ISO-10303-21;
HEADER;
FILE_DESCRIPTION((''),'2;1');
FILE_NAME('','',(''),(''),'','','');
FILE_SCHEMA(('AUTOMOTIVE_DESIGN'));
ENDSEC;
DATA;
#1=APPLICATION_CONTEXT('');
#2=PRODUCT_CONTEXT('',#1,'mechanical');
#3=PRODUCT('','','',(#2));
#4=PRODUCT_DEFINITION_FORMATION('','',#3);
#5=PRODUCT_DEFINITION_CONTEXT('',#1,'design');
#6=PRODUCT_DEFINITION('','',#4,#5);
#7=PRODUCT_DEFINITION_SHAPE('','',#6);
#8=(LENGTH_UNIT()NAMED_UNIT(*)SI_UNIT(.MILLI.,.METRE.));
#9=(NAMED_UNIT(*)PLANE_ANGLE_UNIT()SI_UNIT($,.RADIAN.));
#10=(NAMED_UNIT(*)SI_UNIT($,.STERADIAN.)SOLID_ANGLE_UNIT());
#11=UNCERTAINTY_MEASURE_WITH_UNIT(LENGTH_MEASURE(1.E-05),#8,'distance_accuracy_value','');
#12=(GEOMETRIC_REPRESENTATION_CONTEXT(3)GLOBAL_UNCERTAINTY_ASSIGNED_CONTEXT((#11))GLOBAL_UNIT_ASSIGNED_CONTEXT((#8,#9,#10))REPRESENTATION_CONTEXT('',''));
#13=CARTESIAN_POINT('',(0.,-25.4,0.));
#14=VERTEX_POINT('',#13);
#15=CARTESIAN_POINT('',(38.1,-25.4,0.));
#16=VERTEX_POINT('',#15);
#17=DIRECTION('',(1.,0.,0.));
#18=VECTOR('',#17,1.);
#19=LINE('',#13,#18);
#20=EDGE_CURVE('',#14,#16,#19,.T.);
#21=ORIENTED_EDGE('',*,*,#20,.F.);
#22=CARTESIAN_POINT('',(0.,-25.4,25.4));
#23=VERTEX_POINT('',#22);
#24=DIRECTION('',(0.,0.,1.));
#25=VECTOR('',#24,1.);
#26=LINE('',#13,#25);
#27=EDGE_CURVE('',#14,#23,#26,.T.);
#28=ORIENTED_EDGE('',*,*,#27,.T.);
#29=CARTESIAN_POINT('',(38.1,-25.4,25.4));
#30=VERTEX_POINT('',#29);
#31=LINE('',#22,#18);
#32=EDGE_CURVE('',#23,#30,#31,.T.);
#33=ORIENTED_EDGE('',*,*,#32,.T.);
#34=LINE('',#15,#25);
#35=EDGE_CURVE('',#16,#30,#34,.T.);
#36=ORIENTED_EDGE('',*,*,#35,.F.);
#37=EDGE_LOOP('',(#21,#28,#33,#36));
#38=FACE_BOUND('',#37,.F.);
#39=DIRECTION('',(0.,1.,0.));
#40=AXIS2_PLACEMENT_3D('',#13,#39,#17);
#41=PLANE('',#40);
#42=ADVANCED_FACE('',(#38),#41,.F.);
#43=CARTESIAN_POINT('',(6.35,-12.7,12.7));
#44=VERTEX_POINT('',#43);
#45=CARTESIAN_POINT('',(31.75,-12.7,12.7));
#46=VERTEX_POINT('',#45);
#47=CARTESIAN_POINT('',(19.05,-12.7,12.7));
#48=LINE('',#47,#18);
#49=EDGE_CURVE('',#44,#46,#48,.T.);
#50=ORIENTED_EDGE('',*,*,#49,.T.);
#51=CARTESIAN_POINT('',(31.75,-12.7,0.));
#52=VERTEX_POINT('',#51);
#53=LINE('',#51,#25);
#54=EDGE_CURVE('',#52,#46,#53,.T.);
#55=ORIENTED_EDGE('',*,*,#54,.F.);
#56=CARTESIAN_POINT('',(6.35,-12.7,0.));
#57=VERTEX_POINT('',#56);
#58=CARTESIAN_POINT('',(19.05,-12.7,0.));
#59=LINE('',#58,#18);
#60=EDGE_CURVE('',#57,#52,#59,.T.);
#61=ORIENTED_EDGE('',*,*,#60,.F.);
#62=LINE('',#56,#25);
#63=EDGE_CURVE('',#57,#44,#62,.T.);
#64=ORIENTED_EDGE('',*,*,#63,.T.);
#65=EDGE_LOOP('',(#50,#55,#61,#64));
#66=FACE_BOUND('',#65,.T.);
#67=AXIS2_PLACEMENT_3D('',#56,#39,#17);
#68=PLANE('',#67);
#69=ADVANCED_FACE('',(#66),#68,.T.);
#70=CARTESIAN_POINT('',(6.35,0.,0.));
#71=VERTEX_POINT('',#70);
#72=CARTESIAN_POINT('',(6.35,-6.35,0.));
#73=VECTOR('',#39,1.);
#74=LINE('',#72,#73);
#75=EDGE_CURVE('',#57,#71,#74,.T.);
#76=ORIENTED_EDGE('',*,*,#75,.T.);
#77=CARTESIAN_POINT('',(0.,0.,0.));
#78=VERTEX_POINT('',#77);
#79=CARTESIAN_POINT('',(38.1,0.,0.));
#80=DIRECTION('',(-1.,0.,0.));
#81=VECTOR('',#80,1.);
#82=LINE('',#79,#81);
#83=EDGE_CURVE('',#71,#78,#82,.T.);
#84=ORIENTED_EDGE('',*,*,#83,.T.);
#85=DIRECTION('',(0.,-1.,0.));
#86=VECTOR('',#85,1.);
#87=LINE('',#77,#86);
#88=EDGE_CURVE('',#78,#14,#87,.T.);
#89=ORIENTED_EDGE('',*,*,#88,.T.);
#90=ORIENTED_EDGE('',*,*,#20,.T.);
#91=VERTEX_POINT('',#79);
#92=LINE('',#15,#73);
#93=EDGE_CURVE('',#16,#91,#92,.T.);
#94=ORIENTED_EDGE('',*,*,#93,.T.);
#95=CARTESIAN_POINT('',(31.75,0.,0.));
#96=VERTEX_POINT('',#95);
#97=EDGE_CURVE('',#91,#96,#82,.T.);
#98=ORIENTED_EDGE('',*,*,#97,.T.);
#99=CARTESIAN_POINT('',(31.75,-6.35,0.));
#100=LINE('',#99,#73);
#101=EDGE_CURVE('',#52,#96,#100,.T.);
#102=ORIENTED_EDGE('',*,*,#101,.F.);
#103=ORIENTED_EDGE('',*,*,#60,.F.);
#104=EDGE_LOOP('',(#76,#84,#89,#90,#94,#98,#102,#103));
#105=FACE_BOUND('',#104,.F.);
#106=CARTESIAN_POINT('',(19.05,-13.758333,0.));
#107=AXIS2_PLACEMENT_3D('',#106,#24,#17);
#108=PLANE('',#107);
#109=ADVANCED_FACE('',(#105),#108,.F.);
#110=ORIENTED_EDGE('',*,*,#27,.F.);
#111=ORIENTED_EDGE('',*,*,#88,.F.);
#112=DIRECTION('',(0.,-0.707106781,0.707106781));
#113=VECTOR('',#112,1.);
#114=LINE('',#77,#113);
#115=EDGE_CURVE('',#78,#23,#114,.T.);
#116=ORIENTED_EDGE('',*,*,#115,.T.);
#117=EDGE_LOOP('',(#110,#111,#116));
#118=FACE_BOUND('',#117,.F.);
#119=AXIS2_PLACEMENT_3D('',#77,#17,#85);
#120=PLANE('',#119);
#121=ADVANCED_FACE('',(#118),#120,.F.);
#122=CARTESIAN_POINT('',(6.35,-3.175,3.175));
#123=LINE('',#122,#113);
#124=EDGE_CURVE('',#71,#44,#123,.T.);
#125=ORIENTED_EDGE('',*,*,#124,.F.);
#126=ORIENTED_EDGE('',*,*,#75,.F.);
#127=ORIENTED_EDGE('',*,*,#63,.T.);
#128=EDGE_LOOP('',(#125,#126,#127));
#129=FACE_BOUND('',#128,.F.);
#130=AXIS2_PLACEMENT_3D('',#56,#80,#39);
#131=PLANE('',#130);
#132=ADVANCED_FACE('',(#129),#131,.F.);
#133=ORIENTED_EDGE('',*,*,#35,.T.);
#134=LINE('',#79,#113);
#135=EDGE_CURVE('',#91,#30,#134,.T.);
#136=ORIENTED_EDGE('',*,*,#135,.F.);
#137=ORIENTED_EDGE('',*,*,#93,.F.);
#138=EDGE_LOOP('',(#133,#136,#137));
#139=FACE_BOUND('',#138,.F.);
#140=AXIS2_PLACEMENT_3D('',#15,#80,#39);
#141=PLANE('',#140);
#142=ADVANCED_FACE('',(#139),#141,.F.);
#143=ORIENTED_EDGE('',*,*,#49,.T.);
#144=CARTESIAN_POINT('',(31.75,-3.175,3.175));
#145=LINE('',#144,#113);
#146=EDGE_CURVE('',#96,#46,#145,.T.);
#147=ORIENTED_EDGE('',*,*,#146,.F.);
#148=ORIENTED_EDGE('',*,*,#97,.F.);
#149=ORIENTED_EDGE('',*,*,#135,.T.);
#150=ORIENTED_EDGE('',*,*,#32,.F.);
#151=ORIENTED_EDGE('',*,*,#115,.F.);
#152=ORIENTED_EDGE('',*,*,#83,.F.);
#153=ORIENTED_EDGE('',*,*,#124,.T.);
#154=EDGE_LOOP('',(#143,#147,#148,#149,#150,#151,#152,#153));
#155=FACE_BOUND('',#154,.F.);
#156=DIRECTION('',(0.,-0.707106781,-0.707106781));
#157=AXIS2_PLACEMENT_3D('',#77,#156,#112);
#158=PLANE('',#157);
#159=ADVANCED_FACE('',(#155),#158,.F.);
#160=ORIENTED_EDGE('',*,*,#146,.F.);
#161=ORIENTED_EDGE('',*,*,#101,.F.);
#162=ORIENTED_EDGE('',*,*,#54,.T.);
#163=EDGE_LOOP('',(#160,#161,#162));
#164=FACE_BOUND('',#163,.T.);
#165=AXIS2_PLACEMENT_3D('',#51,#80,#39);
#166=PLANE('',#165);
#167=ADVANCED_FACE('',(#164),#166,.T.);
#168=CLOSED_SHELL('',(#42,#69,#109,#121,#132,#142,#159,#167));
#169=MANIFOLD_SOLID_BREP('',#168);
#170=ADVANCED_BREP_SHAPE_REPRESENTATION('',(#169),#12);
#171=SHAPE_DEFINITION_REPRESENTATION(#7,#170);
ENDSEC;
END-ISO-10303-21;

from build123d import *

# Parameters (mm, degrees)
F0_W     = 25.4
F0_H     = 12.7
F1_DEPTH = 25.4
F2_DEPTH = 12.7
F4_DEPTH = 38.1


with BuildPart() as f1:
    # F0 (on Top) → F1 (new body)
    with BuildSketch(Plane.XY):
        Polygon((6.35, 0), (0, 0), (0, -25.4), (38.1, -25.4), (38.1, 0), (31.75, 0), (31.75, -12.7), (6.35, -12.7), align=None)
        with Locations((19.05, -6.35)):
            Rectangle(F0_W, F0_H)
    extrude(amount=F1_DEPTH)

    # F0 (on Top) → F2 (cut)
    with BuildSketch(Plane.XY):
        with Locations((19.05, -6.35)):
            Rectangle(F0_W, F0_H)
    extrude(amount=F2_DEPTH, mode=Mode.SUBTRACT)

    # F3 (on face) → F4 (cut)
    with BuildSketch(Plane(origin=(0, 0, 0), x_dir=(0, -1, 0), z_dir=(-1, 0, 0))):
        Polygon((0, 25.4), (0, 0), (25.4, 25.4), align=None)
    extrude(amount=-F4_DEPTH, mode=Mode.SUBTRACT)


solid = f1.part
